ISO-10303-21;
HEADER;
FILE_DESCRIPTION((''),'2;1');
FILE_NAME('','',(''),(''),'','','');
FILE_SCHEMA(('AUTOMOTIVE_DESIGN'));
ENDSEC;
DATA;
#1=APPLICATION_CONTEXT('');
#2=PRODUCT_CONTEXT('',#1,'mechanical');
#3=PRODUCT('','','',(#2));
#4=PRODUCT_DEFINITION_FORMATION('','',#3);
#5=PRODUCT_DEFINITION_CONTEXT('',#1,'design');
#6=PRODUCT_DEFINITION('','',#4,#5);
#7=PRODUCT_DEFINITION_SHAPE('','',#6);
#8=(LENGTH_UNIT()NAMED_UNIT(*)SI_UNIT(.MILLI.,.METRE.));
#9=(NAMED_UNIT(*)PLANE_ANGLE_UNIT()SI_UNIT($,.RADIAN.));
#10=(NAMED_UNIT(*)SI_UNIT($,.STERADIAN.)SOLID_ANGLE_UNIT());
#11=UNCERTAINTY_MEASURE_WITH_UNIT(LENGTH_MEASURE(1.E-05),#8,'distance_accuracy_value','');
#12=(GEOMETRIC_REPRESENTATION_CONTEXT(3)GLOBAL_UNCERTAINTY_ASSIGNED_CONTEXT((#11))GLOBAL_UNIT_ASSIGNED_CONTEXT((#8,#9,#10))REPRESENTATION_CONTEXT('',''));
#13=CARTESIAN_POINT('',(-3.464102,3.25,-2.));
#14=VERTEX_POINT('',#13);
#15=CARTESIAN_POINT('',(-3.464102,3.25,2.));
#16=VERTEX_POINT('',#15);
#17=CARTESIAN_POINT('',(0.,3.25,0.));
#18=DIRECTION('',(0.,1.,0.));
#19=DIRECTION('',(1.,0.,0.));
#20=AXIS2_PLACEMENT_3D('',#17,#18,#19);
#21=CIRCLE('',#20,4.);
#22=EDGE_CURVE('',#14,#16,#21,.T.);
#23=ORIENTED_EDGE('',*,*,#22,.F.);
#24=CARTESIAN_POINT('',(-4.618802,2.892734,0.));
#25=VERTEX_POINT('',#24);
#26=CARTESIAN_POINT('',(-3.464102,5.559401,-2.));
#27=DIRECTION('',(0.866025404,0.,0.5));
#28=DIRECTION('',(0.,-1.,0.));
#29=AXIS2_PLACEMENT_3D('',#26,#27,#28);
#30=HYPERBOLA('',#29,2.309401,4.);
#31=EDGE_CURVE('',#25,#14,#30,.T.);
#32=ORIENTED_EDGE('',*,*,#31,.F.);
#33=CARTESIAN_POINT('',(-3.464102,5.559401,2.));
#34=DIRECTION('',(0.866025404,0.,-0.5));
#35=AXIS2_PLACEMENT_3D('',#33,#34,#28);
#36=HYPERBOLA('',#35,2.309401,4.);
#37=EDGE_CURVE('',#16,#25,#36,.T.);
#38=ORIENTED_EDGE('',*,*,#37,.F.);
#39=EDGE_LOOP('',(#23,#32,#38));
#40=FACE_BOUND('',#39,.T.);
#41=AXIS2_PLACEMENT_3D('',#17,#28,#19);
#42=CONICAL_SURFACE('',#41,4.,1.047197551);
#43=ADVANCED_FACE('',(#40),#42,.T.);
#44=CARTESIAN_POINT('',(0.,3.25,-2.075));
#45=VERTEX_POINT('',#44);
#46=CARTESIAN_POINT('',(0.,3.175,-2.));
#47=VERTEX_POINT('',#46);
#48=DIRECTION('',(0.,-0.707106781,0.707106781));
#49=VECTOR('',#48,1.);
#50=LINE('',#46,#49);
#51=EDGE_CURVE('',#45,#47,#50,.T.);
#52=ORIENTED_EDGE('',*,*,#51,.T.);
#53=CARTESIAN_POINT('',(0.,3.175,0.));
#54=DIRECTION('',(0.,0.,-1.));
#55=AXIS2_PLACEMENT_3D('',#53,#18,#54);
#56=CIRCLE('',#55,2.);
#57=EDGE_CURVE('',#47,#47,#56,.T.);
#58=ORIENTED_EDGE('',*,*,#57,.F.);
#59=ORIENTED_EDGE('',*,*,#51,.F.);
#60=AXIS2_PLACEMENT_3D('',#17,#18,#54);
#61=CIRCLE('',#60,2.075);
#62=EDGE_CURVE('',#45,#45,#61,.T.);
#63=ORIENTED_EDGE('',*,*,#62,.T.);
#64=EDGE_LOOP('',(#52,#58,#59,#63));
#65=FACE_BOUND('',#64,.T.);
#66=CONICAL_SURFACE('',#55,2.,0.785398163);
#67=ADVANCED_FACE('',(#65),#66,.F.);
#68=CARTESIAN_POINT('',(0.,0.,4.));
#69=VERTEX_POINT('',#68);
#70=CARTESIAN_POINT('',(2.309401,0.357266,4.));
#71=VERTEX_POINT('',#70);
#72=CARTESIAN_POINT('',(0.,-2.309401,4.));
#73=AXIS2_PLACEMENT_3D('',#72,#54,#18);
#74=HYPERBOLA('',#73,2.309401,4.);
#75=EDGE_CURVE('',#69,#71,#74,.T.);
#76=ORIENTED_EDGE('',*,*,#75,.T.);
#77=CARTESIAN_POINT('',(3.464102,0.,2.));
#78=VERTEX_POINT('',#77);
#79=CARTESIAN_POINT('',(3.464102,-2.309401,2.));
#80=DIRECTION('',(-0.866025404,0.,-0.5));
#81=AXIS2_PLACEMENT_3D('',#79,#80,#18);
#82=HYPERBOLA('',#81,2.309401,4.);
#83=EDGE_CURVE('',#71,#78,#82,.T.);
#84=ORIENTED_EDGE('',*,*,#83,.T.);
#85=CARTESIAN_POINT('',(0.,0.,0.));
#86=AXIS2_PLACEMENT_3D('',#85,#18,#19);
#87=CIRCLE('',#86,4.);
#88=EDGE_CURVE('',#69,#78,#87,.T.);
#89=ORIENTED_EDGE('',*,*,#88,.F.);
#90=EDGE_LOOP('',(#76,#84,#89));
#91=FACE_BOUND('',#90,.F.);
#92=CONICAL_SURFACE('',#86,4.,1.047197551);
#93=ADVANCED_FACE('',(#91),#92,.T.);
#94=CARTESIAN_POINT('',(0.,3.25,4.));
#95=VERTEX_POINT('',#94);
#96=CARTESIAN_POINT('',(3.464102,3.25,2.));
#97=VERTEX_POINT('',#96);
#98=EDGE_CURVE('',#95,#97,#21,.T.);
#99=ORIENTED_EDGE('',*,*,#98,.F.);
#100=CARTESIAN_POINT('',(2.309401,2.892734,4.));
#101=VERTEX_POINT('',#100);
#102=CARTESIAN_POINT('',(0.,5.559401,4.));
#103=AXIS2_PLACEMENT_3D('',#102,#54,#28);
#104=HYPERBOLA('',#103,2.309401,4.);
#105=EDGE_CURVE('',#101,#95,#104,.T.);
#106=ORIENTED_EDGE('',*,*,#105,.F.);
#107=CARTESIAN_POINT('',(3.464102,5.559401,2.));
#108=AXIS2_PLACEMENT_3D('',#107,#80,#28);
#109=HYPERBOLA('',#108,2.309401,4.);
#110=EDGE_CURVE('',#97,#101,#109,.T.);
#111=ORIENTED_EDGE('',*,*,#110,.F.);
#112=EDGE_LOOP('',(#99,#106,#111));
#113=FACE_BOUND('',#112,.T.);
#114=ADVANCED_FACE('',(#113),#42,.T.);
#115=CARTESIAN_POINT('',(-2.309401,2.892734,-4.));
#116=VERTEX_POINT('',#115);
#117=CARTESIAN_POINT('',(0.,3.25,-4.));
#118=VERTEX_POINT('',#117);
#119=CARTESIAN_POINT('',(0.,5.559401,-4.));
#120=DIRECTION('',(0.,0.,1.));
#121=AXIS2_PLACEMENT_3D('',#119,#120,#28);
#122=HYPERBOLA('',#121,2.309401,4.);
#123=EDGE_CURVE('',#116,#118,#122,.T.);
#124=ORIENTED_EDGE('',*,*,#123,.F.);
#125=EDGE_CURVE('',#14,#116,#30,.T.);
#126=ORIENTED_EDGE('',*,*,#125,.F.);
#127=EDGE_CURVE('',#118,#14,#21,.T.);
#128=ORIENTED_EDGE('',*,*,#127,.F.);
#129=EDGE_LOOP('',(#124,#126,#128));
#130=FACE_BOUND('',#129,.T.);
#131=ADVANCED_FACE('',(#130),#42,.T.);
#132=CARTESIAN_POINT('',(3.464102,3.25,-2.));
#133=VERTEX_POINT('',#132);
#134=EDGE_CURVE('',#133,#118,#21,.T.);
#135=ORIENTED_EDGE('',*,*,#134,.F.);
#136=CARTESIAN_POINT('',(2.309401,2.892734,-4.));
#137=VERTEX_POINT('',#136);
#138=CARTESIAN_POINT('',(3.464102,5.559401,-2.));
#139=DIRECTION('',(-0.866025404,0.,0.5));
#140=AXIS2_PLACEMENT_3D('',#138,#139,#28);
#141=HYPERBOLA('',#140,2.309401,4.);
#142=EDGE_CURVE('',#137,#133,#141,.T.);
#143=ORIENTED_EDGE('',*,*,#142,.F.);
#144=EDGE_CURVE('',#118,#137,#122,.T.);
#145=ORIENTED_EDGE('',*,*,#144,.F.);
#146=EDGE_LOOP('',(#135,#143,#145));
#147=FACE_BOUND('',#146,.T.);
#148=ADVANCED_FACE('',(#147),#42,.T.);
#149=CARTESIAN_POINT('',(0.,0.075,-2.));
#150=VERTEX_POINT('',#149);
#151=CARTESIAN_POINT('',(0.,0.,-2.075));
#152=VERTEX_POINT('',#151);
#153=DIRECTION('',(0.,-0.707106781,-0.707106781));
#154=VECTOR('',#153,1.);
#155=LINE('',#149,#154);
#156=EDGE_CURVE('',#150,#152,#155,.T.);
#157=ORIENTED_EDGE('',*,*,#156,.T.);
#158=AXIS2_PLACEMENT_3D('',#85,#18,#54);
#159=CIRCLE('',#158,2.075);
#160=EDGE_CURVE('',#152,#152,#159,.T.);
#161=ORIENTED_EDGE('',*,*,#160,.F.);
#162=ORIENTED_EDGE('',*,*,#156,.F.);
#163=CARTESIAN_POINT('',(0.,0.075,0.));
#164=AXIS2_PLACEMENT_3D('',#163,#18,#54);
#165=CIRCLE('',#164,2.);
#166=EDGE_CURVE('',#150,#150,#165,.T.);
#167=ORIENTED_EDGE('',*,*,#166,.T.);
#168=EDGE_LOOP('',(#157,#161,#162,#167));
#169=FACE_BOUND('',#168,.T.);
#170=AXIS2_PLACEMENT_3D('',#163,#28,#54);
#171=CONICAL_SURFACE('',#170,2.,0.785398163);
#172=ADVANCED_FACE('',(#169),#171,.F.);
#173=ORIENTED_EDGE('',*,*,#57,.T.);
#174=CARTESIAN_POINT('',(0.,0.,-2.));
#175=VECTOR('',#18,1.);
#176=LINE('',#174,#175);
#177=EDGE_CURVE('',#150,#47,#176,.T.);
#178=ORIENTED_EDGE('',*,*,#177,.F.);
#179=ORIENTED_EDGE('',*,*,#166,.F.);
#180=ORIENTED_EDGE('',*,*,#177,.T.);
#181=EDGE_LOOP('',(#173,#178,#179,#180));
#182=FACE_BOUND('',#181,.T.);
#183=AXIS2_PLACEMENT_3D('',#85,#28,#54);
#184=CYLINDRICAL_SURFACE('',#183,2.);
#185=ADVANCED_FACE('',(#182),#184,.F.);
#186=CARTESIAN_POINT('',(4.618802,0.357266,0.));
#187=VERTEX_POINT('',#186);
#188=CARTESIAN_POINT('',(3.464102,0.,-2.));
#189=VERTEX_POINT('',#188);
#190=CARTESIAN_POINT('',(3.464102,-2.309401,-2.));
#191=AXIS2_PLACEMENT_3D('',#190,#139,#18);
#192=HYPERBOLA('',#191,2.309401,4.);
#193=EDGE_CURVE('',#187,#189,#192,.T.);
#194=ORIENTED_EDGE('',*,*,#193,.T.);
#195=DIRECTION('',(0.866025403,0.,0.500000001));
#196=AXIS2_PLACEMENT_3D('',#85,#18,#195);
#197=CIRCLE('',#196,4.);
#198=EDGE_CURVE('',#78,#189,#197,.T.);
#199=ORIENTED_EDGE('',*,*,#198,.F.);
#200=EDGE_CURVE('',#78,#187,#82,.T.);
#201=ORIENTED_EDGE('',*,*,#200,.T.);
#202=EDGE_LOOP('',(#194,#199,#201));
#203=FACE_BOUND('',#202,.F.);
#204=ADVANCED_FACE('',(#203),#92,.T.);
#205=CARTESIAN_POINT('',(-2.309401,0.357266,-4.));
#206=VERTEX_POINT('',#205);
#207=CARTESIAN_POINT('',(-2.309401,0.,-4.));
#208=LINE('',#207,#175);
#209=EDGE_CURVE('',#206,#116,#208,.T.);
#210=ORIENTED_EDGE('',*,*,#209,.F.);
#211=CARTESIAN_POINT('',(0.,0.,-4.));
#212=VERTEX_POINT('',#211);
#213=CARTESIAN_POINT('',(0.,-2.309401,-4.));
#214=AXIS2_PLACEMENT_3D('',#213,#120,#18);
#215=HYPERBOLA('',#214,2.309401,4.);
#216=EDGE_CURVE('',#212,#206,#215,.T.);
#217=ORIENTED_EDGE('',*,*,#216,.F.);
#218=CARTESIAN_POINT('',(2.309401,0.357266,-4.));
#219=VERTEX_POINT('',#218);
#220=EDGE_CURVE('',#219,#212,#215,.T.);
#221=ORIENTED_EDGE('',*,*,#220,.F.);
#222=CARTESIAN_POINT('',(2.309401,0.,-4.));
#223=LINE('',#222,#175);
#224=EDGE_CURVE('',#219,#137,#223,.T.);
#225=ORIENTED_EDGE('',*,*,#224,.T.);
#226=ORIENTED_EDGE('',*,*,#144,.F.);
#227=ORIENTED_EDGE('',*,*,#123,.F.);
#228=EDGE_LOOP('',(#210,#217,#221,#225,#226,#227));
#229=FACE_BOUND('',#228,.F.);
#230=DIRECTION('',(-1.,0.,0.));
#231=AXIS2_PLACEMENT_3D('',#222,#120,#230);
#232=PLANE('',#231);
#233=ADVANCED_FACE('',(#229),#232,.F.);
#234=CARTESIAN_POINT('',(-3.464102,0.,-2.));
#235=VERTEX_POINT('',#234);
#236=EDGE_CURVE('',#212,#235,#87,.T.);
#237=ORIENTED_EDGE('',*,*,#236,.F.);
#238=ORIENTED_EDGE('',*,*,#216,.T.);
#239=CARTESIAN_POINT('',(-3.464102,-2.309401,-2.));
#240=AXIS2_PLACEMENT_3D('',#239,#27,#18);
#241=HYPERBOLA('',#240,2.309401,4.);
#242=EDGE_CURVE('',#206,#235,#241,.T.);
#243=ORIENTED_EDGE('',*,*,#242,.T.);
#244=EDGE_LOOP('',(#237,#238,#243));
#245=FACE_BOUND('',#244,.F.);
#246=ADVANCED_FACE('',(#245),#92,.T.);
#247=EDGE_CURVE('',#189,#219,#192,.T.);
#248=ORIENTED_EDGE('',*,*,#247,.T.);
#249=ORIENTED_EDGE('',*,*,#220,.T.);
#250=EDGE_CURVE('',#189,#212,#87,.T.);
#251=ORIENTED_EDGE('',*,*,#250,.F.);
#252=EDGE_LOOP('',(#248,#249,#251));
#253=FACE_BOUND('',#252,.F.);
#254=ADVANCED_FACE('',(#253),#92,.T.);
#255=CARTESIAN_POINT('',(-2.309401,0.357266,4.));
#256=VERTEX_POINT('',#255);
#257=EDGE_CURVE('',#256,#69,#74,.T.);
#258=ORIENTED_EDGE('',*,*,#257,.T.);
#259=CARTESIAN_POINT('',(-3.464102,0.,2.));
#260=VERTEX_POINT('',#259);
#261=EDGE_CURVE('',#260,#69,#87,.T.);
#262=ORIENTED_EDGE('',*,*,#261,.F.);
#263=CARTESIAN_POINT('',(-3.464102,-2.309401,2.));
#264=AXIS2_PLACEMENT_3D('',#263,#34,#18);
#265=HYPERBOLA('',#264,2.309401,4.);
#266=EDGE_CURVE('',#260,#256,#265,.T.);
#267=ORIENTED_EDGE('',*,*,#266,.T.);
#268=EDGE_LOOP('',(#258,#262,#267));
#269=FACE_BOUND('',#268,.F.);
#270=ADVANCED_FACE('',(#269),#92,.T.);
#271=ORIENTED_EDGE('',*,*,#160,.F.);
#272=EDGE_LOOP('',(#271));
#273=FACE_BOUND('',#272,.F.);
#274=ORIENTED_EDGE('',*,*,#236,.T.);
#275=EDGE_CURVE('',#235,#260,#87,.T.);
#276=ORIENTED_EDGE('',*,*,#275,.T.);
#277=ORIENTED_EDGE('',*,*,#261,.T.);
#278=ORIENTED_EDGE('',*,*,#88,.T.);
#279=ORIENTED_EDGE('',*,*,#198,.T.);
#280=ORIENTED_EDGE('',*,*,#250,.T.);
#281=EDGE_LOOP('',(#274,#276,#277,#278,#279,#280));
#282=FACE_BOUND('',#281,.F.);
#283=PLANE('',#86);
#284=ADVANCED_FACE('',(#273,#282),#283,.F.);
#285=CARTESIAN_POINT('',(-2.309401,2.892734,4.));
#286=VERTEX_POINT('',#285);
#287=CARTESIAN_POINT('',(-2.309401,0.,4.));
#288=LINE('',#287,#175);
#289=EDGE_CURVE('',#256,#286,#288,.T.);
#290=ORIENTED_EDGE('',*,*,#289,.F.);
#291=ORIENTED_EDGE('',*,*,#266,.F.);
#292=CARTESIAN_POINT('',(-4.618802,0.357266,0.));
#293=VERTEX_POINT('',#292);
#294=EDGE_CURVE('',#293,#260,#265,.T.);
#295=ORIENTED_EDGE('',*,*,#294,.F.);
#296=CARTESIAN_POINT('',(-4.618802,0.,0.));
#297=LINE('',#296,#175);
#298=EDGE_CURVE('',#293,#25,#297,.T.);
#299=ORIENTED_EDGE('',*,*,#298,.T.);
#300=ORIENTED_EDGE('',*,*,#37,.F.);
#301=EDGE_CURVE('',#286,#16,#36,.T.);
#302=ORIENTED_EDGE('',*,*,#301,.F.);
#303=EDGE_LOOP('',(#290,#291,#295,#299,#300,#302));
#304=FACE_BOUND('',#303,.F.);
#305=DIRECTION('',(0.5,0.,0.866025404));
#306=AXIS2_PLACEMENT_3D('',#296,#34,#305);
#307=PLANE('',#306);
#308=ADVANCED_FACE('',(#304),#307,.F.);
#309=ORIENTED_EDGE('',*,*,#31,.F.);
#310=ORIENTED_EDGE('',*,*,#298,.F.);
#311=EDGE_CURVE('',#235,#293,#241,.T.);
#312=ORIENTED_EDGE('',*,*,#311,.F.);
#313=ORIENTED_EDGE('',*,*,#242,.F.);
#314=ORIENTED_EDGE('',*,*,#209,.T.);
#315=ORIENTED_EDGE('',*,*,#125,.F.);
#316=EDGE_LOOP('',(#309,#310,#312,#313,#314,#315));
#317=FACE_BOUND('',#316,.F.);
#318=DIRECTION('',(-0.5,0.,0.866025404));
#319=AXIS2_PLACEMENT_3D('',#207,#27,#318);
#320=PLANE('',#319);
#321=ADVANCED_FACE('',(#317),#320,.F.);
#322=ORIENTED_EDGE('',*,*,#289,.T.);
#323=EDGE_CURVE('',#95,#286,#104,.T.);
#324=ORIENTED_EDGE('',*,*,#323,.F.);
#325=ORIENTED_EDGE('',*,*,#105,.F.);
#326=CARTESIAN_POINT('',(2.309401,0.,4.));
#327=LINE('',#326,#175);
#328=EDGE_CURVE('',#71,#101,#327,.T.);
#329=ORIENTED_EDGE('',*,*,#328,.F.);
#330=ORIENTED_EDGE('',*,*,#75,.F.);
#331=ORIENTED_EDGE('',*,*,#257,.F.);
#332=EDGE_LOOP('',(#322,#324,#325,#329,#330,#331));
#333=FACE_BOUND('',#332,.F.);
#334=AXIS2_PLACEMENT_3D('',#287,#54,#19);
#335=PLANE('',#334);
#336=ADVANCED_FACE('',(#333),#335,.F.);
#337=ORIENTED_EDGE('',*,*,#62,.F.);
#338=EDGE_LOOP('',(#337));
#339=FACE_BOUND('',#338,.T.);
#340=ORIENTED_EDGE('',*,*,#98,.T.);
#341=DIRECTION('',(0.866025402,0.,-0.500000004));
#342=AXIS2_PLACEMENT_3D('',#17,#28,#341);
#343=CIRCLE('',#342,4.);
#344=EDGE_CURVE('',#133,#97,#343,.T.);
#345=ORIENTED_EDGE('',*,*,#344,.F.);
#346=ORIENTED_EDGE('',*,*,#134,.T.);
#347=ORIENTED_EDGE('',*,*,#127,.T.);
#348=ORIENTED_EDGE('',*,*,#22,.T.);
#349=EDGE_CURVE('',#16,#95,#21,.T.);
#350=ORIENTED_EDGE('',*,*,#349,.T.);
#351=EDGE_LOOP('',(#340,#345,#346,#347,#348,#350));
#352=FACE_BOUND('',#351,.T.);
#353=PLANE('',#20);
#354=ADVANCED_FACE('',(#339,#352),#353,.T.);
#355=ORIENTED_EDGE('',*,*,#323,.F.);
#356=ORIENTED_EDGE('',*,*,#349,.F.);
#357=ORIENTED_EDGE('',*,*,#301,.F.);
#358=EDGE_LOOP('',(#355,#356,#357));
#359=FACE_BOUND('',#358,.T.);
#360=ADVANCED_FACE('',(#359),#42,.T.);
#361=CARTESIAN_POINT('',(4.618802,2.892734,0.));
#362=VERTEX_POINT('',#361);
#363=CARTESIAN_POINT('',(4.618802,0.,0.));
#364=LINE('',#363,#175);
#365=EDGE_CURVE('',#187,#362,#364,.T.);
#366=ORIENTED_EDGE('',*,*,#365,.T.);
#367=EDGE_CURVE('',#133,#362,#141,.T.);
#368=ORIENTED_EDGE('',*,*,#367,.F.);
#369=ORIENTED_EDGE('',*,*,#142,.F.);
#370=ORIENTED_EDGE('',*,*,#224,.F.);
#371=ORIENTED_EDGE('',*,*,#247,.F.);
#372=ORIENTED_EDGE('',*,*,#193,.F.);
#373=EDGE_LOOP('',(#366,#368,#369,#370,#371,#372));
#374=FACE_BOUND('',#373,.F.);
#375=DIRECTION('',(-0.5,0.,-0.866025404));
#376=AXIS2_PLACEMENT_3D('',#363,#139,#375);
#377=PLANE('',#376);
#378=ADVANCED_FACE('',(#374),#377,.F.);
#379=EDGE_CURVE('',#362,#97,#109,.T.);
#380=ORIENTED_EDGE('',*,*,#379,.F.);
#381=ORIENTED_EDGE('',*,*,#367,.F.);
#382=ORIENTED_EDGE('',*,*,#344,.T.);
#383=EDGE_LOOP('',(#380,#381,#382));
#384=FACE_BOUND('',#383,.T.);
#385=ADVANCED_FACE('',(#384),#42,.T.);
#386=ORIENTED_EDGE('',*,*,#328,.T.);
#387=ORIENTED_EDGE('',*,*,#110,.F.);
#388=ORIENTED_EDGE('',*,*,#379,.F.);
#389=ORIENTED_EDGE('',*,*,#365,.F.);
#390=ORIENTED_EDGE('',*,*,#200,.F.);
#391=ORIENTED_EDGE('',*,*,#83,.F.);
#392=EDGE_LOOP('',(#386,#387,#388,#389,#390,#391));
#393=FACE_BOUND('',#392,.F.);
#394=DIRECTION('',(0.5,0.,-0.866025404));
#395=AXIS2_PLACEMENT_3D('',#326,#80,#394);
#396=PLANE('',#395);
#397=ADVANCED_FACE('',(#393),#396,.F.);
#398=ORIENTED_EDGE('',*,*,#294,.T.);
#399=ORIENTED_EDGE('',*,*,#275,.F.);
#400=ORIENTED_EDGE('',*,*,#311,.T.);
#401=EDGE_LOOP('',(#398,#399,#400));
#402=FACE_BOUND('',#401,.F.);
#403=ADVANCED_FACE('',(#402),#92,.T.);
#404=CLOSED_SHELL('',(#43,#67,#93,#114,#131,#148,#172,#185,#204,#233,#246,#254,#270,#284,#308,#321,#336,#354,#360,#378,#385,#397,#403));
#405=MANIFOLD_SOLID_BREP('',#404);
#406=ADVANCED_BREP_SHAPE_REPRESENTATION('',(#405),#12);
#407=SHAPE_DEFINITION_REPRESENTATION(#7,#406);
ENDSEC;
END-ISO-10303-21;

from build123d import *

# Parameters (mm, degrees)
SKETCH2_R           = 2
BOSS_EXTRUDE1_DEPTH = 3.25
SKETCH3_OUTSIDE_W   = 25.026
SKETCH3_OUTSIDE_H   = 23.788
SKETCH3_OUTSIDE_R   = 4
CUT_EXTRUDE1_DEPTH  = 3.25
CUT_EXTRUDE1_DRAFT  = 60
SKETCH4_OUTSIDE_W   = 25.026
SKETCH4_OUTSIDE_H   = 23.788
SKETCH4_OUTSIDE_R   = 4
CUT_EXTRUDE2_DEPTH  = 3.25
CUT_EXTRUDE2_DRAFT  = -60
CHAMFER1_SIZE       = 0.075


with BuildPart() as part:
    # Sketch2 → Boss-Extrude1 (new body)
    with BuildSketch(Plane(origin=(0, 0, 0), x_dir=(1, 0, 0), z_dir=(0, 1, 0))):
        Polygon((4.618802154, 0), (2.309401077, 4), (-2.309401077, 4), (-4.618802154, 0), (-2.309401077, -4), (2.309401077, -4), align=None)
        with Locations(Location((0, 0, 0), (0, 0, 90))):
            Circle(SKETCH2_R, mode=Mode.SUBTRACT)
    extrude(amount=BOSS_EXTRUDE1_DEPTH)


with BuildPart() as cut_extrude1_tool:
    # Sketch3 outside → Cut-Extrude1 (with draft: the straight prism first)
    with BuildSketch(Plane(origin=(0, 0, 0), x_dir=(1, 0, 0), z_dir=(0, 1, 0))):
        Rectangle(SKETCH3_OUTSIDE_W, SKETCH3_OUTSIDE_H)
        Circle(SKETCH3_OUTSIDE_R, mode=Mode.SUBTRACT)
    extrude(amount=CUT_EXTRUDE1_DEPTH)
    # Cut-Extrude1: the draft: its side faces are tilted about the plane it starts from
    cut_extrude1_sides = [cut_extrude1_tool.faces().sort_by_distance(p)[0] for p in [
        (0, 1.625, 11.894),
        (12.513, 1.625, 0),
        (0, 1.625, -11.894),
        (-12.513, 1.625, 0),
        (-4, 1.625, 0),
    ]]
    draft(cut_extrude1_sides, Plane(origin=(0, 0, 0), x_dir=(1, 0, 0), z_dir=(0, 1, 0)), CUT_EXTRUDE1_DRAFT)


with BuildPart() as part_1:
    add(part.part)

    # Cut-Extrude1: cut by cut_extrude1_tool
    add(cut_extrude1_tool.part, mode=Mode.SUBTRACT)


with BuildPart() as cut_extrude2_tool:
    # Sketch4 outside → Cut-Extrude2 (with draft: the straight prism first)
    with BuildSketch(Plane(origin=(0, 3.25, 0), x_dir=(1, 0, 0), z_dir=(0, 1, 0))):
        Rectangle(SKETCH4_OUTSIDE_W, SKETCH4_OUTSIDE_H)
        Circle(SKETCH4_OUTSIDE_R, mode=Mode.SUBTRACT)
    extrude(amount=-CUT_EXTRUDE2_DEPTH)
    # Cut-Extrude2: the draft: its side faces are tilted about the plane it starts from
    cut_extrude2_sides = [cut_extrude2_tool.faces().sort_by_distance(p)[0] for p in [
        (0, 1.625, 11.894),
        (12.513, 1.625, 0),
        (0, 1.625, -11.894),
        (-12.513, 1.625, 0),
        (-4, 1.625, 0),
    ]]
    draft(cut_extrude2_sides, Plane(origin=(0, 3.25, 0), x_dir=(1, 0, 0), z_dir=(0, 1, 0)), CUT_EXTRUDE2_DRAFT)


with BuildPart() as part_2:
    add(part_1.part)

    # Cut-Extrude2: cut by cut_extrude2_tool
    add(cut_extrude2_tool.part, mode=Mode.SUBTRACT)

    # Chamfer1
    chamfer1_edges = [part_2.edges().sort_by_distance(p)[0] for p in [
        (0, 0, 2),
        (0, 3.25, 2),
    ]]
    chamfer(chamfer1_edges, length=CHAMFER1_SIZE)


solid = part_2.part
